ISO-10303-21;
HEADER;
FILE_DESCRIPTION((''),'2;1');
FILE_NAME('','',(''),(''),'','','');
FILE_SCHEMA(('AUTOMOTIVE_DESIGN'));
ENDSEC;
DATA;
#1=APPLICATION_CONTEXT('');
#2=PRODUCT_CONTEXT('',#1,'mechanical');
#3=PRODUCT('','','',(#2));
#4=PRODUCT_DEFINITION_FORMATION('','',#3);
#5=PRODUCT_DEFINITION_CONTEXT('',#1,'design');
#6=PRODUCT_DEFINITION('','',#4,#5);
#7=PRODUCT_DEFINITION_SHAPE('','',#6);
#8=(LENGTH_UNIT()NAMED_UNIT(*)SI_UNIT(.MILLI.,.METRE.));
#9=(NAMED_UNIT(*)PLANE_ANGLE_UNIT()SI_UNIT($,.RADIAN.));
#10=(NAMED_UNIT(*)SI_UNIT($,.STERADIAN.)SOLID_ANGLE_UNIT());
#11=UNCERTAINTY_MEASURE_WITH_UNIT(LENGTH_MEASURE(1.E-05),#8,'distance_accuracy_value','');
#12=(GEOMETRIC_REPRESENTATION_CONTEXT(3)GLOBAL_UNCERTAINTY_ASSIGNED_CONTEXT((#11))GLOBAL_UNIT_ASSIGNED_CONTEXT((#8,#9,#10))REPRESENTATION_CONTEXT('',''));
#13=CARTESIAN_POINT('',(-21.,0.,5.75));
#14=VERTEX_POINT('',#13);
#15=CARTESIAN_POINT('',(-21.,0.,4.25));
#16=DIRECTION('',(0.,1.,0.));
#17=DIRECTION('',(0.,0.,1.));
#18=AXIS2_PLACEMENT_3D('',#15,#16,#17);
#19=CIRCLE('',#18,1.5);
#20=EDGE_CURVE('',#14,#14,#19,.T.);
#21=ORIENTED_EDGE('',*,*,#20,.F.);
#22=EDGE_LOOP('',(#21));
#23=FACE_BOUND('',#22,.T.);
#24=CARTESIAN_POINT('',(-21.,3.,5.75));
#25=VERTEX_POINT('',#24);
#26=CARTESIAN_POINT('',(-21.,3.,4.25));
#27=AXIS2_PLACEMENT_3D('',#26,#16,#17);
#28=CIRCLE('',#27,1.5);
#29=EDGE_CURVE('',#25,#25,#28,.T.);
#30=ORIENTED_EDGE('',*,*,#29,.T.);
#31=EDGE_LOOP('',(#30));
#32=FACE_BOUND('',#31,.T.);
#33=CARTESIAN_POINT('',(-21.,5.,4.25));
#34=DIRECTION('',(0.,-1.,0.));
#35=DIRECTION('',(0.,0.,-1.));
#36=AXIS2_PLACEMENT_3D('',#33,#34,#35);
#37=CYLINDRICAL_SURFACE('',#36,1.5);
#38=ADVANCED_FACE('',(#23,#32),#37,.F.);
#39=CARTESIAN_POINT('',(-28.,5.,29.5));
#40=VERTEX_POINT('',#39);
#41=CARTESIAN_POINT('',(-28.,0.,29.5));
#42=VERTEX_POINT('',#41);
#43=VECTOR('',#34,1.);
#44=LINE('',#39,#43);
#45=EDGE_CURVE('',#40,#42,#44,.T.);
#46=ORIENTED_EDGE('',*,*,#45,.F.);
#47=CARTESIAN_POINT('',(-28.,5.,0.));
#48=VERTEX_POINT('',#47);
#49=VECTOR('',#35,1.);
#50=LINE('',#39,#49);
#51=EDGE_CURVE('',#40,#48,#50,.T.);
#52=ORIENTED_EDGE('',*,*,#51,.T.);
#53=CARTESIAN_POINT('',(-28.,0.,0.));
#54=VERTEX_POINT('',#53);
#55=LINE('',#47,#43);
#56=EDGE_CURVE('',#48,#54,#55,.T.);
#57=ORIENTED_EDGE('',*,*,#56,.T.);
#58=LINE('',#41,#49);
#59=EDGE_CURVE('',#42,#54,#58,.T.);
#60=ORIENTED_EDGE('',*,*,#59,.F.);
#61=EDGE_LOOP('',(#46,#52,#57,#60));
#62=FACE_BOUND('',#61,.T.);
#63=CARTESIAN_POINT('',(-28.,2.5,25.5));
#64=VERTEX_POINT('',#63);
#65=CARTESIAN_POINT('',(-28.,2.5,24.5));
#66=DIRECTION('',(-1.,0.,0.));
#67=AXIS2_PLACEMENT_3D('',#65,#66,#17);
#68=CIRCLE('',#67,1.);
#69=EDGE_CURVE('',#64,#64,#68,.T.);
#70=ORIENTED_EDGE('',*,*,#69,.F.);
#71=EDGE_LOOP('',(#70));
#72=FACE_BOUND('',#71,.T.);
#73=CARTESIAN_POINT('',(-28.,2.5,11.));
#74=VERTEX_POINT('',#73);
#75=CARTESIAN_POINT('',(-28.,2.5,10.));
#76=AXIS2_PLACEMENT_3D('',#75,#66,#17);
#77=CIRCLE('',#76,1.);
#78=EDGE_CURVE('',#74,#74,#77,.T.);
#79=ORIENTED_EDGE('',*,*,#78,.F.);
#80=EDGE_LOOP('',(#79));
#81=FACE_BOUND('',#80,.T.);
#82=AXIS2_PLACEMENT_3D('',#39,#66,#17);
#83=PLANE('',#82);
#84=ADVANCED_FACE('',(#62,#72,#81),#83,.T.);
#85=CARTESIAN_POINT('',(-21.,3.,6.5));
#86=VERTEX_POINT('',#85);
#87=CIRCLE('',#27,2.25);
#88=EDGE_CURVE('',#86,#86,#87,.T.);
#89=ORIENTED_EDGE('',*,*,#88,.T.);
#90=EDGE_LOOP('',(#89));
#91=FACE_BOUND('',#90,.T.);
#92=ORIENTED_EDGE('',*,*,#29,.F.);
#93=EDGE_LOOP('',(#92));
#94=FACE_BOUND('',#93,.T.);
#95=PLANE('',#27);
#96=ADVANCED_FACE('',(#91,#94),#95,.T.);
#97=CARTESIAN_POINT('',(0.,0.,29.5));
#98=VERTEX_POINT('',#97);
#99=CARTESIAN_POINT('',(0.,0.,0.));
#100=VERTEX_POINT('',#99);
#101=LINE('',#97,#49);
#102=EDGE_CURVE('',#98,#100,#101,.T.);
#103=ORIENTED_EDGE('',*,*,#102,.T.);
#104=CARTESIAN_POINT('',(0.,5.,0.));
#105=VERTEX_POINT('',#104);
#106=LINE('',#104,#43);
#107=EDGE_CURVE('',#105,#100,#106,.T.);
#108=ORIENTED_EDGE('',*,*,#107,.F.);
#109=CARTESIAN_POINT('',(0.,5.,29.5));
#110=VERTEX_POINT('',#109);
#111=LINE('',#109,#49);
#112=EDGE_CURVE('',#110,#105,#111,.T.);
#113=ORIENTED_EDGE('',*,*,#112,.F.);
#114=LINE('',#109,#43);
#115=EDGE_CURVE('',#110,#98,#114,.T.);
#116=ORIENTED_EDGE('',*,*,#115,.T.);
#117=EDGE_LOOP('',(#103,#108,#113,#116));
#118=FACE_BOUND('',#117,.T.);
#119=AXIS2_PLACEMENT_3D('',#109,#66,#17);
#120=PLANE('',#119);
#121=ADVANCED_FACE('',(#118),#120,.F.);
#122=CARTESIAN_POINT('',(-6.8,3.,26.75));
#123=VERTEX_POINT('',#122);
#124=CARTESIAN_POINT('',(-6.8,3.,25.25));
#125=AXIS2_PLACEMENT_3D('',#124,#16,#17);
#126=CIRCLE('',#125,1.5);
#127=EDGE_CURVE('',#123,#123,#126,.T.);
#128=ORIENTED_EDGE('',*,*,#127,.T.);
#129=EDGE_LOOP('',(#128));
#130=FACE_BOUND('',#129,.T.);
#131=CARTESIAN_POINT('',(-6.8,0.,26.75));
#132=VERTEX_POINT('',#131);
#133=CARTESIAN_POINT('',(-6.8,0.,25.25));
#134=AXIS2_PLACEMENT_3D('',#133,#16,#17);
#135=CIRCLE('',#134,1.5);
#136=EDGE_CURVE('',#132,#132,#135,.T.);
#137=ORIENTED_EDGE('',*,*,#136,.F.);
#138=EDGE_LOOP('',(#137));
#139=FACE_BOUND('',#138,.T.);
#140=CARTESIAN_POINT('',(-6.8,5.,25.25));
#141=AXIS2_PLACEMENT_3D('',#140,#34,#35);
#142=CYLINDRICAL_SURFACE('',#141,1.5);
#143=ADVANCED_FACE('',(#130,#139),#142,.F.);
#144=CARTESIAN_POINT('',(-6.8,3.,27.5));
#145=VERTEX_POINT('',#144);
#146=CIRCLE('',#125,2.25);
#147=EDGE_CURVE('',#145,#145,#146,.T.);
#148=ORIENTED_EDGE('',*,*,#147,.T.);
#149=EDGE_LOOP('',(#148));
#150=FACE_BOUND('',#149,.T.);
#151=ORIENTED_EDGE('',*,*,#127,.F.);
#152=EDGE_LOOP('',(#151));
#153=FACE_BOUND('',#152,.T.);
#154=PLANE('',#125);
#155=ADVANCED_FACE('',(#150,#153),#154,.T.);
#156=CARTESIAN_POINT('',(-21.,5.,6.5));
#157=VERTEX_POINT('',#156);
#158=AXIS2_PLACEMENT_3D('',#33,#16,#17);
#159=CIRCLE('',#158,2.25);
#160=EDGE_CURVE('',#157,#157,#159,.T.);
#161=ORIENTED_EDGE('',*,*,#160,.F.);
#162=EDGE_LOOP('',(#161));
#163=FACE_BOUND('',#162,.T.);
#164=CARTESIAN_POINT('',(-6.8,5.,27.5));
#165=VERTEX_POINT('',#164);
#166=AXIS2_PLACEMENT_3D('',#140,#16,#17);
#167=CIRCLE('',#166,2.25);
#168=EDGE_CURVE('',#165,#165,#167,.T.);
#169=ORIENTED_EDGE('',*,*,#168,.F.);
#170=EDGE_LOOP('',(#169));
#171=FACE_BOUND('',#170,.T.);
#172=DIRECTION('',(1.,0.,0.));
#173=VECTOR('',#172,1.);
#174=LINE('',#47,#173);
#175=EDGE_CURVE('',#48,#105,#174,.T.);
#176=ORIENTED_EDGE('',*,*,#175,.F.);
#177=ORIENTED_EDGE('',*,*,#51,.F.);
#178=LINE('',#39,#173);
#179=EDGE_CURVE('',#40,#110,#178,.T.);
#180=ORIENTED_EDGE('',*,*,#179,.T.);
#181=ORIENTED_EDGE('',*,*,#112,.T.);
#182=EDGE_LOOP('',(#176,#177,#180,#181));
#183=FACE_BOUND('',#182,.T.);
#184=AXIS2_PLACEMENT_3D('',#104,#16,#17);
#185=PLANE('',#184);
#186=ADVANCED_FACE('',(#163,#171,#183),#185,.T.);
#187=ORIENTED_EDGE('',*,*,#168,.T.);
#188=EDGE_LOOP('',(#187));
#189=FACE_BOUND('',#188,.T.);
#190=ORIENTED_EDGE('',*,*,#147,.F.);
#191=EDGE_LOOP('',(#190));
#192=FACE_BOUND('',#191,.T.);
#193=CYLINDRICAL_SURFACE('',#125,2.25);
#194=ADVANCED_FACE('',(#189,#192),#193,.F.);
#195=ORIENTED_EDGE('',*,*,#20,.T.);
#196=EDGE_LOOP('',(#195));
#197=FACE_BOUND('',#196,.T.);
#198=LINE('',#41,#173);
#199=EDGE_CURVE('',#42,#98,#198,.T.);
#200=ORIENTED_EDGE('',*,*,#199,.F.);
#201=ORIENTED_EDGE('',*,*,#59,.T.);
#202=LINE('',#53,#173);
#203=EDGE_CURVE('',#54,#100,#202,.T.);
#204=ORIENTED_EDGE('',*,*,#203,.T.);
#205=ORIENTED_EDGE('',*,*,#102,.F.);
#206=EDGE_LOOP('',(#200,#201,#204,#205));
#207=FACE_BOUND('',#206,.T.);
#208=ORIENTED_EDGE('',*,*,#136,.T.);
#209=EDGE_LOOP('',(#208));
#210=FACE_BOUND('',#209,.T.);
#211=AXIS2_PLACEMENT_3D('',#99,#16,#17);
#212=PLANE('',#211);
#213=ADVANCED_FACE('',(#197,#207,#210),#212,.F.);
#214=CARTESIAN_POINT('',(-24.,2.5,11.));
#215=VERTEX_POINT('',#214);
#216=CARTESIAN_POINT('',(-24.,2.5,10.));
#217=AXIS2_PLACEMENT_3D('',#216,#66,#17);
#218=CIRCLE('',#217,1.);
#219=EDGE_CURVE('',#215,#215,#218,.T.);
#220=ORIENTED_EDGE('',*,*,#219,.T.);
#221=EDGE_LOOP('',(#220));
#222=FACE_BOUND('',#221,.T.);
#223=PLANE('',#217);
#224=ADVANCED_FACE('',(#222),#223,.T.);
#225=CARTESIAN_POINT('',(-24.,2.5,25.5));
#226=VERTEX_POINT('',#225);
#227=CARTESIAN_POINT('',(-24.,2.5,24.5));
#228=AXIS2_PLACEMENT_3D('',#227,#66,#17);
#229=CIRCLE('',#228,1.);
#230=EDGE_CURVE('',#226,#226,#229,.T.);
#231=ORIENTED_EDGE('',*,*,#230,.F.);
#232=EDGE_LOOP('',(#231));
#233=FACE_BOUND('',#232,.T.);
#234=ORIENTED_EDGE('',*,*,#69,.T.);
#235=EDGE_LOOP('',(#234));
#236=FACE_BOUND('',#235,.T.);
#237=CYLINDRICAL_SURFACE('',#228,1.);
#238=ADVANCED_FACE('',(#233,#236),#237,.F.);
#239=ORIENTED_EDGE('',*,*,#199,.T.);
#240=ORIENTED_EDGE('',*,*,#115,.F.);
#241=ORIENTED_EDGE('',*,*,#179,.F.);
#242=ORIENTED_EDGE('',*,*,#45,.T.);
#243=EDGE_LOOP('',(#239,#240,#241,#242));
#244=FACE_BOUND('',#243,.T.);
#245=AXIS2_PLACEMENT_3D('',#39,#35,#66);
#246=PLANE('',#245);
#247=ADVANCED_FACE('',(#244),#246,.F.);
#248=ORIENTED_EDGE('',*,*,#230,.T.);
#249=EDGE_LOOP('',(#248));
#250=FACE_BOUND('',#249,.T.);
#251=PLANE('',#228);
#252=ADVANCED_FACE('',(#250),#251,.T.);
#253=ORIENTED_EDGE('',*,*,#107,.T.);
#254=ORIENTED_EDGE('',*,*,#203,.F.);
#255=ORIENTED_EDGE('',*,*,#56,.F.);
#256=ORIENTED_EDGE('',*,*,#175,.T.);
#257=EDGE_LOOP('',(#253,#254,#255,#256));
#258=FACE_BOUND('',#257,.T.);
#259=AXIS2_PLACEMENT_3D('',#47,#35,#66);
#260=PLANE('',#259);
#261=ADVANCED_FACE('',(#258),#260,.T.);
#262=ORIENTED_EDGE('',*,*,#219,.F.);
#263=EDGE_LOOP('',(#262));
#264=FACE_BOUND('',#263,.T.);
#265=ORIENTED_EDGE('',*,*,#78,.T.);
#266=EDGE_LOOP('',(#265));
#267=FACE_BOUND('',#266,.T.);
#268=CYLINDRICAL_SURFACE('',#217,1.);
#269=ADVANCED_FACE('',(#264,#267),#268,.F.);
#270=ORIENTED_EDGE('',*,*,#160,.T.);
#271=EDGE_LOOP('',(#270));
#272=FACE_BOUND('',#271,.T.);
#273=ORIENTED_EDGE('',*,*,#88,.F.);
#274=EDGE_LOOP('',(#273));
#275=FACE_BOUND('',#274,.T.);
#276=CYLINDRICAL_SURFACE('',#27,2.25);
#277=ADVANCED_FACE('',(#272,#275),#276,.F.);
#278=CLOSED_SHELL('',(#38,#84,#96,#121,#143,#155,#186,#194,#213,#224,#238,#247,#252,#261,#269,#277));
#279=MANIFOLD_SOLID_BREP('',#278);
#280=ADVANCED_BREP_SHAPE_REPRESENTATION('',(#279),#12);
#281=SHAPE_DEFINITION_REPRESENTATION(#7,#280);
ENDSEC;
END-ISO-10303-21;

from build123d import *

# Parameters (mm, degrees)
SKETCH_1_W          = 28
SKETCH_1_H          = 29.5
EXTRUDE_1_DEPTH     = 5
SKETCH_1_20_R       = 1.5
CUT_EXTRUDE_1_DEPTH = 41.978652979
CUT_EXTRUDE_START   = 5
SKETCH_1_21_R       = 2.25
CUT_EXTRUDE_2_DEPTH = 2
SKETCH_4_R          = 1
CUT_EXTRUDE_3_DEPTH = 4


with BuildPart() as part:
    # 草图1 → 凸台-拉伸1 (new body)
    with BuildSketch(Plane(origin=(0, 0, 0), x_dir=(1, 0, 0), z_dir=(0, 1, 0))):
        with Locations((-14, -14.75)):
            Rectangle(SKETCH_1_W, SKETCH_1_H)
    extrude(amount=EXTRUDE_1_DEPTH)

    # 草图1<20> → 切除-拉伸1 (cut, through all)
    with BuildSketch(Plane(origin=(0, 0, 0), x_dir=(1, 0, 0), z_dir=(0, 1, 0))):
        with Locations(Location((-21, -4.25, 0), (0, 0, 270))):
            Circle(SKETCH_1_20_R)
        with Locations(Location((-6.8, -25.25, 0), (0, 0, 270))):
            Circle(SKETCH_1_20_R)
    extrude(amount=CUT_EXTRUDE_1_DEPTH, mode=Mode.SUBTRACT)

    # 草图1<21> → 切除-拉伸2 (cut)
    with BuildSketch(Plane(origin=(0, 0, 0), x_dir=(1, 0, 0), z_dir=(0, 1, 0)).offset(CUT_EXTRUDE_START)):
        with Locations(Location((-21, -4.25, 0), (0, 0, 270))):
            Circle(SKETCH_1_21_R)
        with Locations(Location((-6.8, -25.25, 0), (0, 0, 270))):
            Circle(SKETCH_1_21_R)
    extrude(amount=-CUT_EXTRUDE_2_DEPTH, mode=Mode.SUBTRACT)

    # 草图4 → 切除-拉伸3 (cut)
    with BuildSketch(Plane.ZY.offset(28)):
        with Locations((10, 2.5)):
            Circle(SKETCH_4_R)
        with Locations((24.5, 2.5)):
            Circle(SKETCH_4_R)
    extrude(amount=-CUT_EXTRUDE_3_DEPTH, mode=Mode.SUBTRACT)


solid = part.part
